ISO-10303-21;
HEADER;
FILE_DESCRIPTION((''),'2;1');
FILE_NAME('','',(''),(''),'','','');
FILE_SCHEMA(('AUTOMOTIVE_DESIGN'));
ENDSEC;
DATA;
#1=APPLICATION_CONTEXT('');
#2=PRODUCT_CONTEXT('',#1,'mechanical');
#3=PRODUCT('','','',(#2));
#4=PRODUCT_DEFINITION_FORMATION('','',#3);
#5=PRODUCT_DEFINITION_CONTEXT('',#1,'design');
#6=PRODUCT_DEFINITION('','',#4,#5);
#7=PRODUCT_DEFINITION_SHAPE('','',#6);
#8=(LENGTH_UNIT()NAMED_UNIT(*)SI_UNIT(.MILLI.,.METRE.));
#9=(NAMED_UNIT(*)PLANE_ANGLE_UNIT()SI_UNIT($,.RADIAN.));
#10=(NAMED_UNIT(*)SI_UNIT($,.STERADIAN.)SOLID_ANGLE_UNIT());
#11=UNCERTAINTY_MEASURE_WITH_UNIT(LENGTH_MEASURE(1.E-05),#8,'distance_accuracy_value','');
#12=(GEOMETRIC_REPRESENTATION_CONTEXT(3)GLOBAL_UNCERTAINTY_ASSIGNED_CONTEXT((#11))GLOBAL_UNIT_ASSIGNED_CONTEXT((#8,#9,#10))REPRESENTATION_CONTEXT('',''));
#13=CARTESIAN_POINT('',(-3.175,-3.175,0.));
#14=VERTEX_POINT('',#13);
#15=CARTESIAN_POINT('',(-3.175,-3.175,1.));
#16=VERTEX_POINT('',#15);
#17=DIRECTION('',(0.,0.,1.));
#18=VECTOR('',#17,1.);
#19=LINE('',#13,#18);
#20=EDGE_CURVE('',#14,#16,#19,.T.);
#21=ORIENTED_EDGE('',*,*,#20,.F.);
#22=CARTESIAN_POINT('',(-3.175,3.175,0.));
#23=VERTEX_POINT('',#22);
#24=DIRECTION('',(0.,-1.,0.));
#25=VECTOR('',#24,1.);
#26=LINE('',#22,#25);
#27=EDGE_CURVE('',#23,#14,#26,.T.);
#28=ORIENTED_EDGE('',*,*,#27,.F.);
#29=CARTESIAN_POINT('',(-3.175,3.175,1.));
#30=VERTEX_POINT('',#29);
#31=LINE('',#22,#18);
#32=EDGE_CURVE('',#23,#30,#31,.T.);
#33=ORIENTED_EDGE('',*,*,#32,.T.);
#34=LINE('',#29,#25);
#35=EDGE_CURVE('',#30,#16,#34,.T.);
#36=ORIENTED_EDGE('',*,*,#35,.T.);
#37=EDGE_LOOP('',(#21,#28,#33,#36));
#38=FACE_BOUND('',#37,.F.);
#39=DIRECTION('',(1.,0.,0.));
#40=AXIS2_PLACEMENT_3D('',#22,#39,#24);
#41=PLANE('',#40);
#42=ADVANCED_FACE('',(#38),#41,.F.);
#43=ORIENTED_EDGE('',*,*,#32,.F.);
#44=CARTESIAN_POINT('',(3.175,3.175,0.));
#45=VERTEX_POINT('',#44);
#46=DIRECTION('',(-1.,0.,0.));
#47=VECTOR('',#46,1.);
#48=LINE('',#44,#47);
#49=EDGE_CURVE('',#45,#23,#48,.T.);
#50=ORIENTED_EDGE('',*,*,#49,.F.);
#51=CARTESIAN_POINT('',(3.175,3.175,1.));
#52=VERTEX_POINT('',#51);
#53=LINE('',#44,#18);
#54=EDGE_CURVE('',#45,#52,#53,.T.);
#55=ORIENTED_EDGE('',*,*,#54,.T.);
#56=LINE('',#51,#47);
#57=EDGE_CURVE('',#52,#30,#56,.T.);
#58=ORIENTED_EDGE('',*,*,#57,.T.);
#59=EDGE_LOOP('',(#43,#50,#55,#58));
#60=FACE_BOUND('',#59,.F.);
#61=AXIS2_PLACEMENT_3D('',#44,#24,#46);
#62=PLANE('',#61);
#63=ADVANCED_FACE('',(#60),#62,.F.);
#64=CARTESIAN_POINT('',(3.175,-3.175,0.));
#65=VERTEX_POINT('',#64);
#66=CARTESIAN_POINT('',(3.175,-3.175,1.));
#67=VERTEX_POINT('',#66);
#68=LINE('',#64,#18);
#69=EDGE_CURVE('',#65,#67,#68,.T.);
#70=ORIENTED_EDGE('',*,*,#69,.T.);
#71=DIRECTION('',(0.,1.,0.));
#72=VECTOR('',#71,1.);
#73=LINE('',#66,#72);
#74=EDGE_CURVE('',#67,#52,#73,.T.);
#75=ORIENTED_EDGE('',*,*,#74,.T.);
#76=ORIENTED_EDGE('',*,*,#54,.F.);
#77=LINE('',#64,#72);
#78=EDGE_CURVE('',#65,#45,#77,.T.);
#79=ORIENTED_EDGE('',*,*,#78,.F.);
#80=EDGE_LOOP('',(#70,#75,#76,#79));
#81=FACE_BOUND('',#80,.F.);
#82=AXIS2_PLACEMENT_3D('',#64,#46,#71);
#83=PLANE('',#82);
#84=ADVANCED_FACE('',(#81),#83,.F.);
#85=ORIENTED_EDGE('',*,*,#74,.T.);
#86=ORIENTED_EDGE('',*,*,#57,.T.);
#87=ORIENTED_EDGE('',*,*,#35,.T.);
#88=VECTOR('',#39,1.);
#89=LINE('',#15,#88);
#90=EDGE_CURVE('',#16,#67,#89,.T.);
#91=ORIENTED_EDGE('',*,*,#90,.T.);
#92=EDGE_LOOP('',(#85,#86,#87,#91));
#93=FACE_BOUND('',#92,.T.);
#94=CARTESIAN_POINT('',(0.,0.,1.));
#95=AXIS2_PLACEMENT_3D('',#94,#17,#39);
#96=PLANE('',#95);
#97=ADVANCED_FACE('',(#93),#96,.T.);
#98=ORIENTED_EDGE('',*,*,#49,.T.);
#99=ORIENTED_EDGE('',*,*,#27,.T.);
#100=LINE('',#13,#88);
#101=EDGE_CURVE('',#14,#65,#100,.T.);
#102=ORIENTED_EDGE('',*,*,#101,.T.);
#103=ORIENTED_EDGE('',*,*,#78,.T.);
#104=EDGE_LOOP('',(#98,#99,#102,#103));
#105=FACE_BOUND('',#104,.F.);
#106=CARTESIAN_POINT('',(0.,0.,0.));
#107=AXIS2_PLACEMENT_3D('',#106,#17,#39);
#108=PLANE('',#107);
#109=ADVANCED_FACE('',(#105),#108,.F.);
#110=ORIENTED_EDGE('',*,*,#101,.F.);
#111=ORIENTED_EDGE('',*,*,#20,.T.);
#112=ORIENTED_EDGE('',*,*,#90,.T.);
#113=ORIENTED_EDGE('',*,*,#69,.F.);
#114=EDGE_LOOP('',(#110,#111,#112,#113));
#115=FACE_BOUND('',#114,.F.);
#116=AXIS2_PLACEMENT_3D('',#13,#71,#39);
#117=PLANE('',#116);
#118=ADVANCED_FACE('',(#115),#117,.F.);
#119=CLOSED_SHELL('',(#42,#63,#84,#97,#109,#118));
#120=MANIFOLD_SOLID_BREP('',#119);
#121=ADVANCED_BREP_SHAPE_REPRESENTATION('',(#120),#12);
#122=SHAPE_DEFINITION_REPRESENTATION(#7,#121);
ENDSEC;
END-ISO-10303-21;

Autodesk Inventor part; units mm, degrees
ref_plane "YZ Plane" through (0, 0, 0) normal (1, 0, 0) x (0, 1, 0)
ref_plane "XZ Plane" through (0, 0, 0) normal (0, 1, 0) x (-1, 0, 0)
ref_plane "XY Plane" through (0, 0, 0) normal (0, 0, 1) x (1, 0, 0)
sketch "Sketch1" plane through (0, 0, 0) normal (0, 0, 1) x (1, 0, 0)
  line L0 (3.175, -3.175) -> (3.175, 3.175)
  line L1 (3.175, 3.175) -> (-3.175, 3.175)
  line L2 (-3.175, 3.175) -> (-3.175, -3.175)
  line L3 (-3.175, -3.175) -> (3.175, -3.175)
  line L4 (0, 0) -> (1.3238, 0)
  line L5 (0, 0) -> (0, 0.8095)
  dimension "d0" = 6.35
  dimension "d1" = 6.35
extrude "Extrusion1" add sketch "Sketch1" along normal blind 1
properties part number "RX_tan_U10_SA607"
